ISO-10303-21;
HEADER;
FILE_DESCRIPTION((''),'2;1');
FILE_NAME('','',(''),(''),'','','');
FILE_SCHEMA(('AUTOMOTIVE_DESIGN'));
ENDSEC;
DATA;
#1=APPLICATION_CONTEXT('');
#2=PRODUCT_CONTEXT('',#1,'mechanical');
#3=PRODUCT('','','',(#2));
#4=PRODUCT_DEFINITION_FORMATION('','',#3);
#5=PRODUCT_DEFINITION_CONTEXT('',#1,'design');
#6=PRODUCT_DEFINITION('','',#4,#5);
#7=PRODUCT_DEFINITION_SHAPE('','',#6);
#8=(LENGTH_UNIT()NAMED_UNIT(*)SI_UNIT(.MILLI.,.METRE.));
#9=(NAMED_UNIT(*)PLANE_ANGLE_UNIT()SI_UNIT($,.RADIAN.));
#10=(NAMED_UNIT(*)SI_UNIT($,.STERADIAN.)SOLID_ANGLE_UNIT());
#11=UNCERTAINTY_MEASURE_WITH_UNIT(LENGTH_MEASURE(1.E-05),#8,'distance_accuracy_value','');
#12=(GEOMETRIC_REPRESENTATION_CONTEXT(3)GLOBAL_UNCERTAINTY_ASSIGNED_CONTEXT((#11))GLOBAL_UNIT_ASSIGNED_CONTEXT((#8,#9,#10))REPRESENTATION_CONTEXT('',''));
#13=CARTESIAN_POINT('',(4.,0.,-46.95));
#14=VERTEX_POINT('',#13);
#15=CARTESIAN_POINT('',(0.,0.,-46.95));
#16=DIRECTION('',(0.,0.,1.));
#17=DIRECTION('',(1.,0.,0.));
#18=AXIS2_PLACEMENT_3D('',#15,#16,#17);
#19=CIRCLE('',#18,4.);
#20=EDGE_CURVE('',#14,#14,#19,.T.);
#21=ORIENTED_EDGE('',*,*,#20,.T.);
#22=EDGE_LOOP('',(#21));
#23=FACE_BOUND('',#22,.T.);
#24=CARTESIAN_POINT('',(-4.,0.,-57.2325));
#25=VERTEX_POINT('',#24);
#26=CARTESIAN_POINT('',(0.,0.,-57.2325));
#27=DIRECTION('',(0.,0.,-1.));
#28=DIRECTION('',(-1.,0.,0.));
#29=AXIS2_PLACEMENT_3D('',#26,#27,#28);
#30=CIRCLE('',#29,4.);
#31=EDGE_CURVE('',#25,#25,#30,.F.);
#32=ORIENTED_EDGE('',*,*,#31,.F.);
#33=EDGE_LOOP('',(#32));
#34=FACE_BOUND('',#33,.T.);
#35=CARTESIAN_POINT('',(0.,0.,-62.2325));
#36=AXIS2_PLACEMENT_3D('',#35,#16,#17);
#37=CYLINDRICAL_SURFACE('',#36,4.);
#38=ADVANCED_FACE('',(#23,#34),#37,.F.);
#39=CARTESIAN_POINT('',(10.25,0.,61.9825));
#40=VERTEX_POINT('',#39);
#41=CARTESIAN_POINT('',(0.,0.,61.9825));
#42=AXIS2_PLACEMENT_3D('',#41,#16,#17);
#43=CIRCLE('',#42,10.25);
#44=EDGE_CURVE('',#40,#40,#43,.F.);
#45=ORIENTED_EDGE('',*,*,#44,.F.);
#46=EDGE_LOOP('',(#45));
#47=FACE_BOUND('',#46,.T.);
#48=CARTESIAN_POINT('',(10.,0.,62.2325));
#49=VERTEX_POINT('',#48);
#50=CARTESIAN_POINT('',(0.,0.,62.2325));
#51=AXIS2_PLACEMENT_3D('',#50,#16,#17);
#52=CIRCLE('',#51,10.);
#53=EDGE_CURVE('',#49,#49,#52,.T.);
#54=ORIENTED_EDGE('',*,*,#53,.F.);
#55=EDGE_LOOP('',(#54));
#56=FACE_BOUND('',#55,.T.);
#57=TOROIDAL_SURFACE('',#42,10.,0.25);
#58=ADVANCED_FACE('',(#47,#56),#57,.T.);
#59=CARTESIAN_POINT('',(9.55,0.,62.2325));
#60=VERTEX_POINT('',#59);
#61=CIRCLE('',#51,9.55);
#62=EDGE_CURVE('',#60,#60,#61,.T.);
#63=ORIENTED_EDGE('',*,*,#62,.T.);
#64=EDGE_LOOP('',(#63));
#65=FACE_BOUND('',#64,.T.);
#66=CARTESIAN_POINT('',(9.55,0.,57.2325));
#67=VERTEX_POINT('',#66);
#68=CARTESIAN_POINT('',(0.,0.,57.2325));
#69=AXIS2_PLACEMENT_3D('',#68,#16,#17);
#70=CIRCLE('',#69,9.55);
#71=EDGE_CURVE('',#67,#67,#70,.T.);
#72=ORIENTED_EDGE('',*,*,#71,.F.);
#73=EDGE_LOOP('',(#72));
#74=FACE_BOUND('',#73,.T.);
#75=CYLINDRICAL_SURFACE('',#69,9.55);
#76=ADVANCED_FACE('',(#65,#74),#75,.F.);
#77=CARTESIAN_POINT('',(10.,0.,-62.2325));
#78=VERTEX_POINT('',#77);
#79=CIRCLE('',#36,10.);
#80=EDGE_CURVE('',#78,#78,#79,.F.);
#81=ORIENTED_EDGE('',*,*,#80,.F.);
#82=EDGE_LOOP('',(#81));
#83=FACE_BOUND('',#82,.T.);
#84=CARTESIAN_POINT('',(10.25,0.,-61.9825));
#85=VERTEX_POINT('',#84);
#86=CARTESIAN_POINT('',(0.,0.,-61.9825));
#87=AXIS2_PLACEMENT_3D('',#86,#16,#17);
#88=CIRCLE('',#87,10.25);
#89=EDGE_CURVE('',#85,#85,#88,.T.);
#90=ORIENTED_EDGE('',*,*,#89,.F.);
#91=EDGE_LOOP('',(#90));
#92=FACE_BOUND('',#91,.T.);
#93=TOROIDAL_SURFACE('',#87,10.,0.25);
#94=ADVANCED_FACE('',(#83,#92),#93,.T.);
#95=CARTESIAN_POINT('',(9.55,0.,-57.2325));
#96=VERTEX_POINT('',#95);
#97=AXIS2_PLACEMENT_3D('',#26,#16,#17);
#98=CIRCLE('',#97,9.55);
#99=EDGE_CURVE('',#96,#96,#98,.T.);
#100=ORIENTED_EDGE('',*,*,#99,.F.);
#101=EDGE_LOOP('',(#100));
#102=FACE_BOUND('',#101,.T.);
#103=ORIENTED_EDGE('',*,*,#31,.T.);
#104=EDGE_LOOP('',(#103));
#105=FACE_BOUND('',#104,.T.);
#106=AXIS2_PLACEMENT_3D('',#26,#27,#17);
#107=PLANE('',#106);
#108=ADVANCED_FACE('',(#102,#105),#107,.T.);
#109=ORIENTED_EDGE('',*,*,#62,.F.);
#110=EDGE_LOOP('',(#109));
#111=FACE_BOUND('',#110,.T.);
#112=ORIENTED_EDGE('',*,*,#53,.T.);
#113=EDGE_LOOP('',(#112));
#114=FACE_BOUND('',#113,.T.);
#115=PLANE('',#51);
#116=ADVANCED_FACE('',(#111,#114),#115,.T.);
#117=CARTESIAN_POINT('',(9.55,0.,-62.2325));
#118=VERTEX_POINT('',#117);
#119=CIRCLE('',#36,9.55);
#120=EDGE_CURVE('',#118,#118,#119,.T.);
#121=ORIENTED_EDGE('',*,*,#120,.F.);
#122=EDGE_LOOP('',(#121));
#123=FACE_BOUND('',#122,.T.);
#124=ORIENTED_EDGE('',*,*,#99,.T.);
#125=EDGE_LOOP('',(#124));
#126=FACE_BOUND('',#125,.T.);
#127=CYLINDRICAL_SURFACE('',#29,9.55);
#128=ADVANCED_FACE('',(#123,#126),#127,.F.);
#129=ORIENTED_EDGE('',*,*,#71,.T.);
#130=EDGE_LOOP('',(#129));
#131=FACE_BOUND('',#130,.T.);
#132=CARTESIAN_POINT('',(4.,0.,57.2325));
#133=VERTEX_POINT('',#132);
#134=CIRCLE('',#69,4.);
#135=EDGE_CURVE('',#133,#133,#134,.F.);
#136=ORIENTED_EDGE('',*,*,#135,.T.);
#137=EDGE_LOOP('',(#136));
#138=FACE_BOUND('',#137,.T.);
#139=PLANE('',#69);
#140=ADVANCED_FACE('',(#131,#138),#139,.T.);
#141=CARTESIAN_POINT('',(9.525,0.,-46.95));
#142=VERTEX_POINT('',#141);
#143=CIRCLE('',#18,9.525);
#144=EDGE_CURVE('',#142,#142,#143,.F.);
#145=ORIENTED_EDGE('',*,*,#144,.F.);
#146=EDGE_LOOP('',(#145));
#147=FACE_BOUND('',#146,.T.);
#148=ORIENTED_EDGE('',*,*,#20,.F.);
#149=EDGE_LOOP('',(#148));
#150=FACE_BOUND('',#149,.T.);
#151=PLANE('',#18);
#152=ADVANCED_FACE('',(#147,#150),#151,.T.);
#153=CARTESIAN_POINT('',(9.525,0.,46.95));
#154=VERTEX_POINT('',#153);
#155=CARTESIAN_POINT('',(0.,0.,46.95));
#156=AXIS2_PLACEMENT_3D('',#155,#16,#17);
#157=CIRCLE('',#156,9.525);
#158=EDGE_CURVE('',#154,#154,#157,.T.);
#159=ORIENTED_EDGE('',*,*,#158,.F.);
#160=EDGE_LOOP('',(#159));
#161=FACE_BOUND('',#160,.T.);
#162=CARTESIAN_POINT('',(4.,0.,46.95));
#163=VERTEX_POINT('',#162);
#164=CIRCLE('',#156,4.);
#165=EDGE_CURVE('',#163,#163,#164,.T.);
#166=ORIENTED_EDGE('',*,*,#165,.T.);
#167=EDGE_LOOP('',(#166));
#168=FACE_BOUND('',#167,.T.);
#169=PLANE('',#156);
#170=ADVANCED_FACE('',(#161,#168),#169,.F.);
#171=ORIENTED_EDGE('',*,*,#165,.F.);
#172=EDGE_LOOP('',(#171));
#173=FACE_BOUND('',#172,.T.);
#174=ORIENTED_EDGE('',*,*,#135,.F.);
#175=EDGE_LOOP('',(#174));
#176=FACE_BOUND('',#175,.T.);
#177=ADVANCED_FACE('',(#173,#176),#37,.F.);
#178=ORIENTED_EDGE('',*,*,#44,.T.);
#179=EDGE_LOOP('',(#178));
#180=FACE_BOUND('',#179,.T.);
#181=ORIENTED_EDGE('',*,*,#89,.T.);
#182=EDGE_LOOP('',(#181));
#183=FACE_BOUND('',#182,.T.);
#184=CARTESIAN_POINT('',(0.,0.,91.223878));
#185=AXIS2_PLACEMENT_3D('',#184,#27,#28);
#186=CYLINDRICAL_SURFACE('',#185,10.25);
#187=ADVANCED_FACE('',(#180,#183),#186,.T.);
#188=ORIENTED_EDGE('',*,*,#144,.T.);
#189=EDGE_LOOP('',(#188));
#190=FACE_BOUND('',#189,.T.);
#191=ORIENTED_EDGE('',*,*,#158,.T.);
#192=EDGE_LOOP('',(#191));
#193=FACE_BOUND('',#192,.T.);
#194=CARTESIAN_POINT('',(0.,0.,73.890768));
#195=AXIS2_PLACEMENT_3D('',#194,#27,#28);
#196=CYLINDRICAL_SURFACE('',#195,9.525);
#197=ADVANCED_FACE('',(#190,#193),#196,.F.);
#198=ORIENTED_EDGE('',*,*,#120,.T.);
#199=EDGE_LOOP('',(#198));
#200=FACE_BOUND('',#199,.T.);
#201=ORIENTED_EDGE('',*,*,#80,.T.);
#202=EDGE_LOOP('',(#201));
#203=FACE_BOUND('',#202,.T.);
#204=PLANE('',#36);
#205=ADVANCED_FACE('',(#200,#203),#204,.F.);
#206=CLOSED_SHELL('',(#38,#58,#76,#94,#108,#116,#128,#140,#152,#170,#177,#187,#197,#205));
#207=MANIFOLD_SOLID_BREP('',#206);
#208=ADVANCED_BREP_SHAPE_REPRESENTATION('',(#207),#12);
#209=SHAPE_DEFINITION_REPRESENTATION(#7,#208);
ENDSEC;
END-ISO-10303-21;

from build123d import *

# Parameters (mm, degrees)
BASE_EXTRUDE_DEPTH      = 62.2325
BASE_EXTRUDE_DEPTH_BACK = 62.2325
SKETCH1_R               = 10.25
STROKECHAMBER_START     = -46.95
SKETCH2_R               = 9.525
STROKECHAMBER_DEPTH     = 93.9
RODBORE_DEPTH           = 64.898427651
RODBORE_DEPTH_BACK      = 64.898427651
SKETCH3_R               = 4
FILLET1_R               = 0.25
SKETCH4_R               = 9.55
CUT_EXTRUDE1_DEPTH      = 5


with BuildPart() as part:
    # Sketch1 → Base-Extrude (new, two sides: drawn at the far end of the back side and taken through both)
    with BuildSketch(Plane.XY.offset(-BASE_EXTRUDE_DEPTH_BACK)):
        Circle(SKETCH1_R)
    extrude(amount=BASE_EXTRUDE_DEPTH + BASE_EXTRUDE_DEPTH_BACK)

    # Sketch2 → StrokeChamber (cut)
    with BuildSketch(Plane.XY.offset(STROKECHAMBER_START)):
        Circle(SKETCH2_R)
    extrude(amount=STROKECHAMBER_DEPTH, mode=Mode.SUBTRACT)

    # Sketch3 → RodBore (cut, two sides: drawn at the far end of the back side and taken through both)
    with BuildSketch(Plane.XY.offset(-RODBORE_DEPTH_BACK)):
        Circle(SKETCH3_R)
    extrude(amount=RODBORE_DEPTH + RODBORE_DEPTH_BACK, mode=Mode.SUBTRACT)

    # Fillet1
    fillet1_edges = [part.edges().sort_by_distance(p)[0] for p in [
        (-10.25, 0, -62.2325),
        (-10.25, 0, 62.2325),
    ]]
    fillet(fillet1_edges, radius=FILLET1_R)

    # Sketch4 → Cut-Extrude1 (cut)
    with BuildSketch(Plane.XY.offset(62.2325)):
        Circle(SKETCH4_R)
    cut_extrude1 = extrude(amount=-CUT_EXTRUDE1_DEPTH, mode=Mode.SUBTRACT)

    # Mirror1: Cut-Extrude1 across plane
    add(cut_extrude1.mirror(Plane.XY), mode=Mode.SUBTRACT)


solid = part.part
